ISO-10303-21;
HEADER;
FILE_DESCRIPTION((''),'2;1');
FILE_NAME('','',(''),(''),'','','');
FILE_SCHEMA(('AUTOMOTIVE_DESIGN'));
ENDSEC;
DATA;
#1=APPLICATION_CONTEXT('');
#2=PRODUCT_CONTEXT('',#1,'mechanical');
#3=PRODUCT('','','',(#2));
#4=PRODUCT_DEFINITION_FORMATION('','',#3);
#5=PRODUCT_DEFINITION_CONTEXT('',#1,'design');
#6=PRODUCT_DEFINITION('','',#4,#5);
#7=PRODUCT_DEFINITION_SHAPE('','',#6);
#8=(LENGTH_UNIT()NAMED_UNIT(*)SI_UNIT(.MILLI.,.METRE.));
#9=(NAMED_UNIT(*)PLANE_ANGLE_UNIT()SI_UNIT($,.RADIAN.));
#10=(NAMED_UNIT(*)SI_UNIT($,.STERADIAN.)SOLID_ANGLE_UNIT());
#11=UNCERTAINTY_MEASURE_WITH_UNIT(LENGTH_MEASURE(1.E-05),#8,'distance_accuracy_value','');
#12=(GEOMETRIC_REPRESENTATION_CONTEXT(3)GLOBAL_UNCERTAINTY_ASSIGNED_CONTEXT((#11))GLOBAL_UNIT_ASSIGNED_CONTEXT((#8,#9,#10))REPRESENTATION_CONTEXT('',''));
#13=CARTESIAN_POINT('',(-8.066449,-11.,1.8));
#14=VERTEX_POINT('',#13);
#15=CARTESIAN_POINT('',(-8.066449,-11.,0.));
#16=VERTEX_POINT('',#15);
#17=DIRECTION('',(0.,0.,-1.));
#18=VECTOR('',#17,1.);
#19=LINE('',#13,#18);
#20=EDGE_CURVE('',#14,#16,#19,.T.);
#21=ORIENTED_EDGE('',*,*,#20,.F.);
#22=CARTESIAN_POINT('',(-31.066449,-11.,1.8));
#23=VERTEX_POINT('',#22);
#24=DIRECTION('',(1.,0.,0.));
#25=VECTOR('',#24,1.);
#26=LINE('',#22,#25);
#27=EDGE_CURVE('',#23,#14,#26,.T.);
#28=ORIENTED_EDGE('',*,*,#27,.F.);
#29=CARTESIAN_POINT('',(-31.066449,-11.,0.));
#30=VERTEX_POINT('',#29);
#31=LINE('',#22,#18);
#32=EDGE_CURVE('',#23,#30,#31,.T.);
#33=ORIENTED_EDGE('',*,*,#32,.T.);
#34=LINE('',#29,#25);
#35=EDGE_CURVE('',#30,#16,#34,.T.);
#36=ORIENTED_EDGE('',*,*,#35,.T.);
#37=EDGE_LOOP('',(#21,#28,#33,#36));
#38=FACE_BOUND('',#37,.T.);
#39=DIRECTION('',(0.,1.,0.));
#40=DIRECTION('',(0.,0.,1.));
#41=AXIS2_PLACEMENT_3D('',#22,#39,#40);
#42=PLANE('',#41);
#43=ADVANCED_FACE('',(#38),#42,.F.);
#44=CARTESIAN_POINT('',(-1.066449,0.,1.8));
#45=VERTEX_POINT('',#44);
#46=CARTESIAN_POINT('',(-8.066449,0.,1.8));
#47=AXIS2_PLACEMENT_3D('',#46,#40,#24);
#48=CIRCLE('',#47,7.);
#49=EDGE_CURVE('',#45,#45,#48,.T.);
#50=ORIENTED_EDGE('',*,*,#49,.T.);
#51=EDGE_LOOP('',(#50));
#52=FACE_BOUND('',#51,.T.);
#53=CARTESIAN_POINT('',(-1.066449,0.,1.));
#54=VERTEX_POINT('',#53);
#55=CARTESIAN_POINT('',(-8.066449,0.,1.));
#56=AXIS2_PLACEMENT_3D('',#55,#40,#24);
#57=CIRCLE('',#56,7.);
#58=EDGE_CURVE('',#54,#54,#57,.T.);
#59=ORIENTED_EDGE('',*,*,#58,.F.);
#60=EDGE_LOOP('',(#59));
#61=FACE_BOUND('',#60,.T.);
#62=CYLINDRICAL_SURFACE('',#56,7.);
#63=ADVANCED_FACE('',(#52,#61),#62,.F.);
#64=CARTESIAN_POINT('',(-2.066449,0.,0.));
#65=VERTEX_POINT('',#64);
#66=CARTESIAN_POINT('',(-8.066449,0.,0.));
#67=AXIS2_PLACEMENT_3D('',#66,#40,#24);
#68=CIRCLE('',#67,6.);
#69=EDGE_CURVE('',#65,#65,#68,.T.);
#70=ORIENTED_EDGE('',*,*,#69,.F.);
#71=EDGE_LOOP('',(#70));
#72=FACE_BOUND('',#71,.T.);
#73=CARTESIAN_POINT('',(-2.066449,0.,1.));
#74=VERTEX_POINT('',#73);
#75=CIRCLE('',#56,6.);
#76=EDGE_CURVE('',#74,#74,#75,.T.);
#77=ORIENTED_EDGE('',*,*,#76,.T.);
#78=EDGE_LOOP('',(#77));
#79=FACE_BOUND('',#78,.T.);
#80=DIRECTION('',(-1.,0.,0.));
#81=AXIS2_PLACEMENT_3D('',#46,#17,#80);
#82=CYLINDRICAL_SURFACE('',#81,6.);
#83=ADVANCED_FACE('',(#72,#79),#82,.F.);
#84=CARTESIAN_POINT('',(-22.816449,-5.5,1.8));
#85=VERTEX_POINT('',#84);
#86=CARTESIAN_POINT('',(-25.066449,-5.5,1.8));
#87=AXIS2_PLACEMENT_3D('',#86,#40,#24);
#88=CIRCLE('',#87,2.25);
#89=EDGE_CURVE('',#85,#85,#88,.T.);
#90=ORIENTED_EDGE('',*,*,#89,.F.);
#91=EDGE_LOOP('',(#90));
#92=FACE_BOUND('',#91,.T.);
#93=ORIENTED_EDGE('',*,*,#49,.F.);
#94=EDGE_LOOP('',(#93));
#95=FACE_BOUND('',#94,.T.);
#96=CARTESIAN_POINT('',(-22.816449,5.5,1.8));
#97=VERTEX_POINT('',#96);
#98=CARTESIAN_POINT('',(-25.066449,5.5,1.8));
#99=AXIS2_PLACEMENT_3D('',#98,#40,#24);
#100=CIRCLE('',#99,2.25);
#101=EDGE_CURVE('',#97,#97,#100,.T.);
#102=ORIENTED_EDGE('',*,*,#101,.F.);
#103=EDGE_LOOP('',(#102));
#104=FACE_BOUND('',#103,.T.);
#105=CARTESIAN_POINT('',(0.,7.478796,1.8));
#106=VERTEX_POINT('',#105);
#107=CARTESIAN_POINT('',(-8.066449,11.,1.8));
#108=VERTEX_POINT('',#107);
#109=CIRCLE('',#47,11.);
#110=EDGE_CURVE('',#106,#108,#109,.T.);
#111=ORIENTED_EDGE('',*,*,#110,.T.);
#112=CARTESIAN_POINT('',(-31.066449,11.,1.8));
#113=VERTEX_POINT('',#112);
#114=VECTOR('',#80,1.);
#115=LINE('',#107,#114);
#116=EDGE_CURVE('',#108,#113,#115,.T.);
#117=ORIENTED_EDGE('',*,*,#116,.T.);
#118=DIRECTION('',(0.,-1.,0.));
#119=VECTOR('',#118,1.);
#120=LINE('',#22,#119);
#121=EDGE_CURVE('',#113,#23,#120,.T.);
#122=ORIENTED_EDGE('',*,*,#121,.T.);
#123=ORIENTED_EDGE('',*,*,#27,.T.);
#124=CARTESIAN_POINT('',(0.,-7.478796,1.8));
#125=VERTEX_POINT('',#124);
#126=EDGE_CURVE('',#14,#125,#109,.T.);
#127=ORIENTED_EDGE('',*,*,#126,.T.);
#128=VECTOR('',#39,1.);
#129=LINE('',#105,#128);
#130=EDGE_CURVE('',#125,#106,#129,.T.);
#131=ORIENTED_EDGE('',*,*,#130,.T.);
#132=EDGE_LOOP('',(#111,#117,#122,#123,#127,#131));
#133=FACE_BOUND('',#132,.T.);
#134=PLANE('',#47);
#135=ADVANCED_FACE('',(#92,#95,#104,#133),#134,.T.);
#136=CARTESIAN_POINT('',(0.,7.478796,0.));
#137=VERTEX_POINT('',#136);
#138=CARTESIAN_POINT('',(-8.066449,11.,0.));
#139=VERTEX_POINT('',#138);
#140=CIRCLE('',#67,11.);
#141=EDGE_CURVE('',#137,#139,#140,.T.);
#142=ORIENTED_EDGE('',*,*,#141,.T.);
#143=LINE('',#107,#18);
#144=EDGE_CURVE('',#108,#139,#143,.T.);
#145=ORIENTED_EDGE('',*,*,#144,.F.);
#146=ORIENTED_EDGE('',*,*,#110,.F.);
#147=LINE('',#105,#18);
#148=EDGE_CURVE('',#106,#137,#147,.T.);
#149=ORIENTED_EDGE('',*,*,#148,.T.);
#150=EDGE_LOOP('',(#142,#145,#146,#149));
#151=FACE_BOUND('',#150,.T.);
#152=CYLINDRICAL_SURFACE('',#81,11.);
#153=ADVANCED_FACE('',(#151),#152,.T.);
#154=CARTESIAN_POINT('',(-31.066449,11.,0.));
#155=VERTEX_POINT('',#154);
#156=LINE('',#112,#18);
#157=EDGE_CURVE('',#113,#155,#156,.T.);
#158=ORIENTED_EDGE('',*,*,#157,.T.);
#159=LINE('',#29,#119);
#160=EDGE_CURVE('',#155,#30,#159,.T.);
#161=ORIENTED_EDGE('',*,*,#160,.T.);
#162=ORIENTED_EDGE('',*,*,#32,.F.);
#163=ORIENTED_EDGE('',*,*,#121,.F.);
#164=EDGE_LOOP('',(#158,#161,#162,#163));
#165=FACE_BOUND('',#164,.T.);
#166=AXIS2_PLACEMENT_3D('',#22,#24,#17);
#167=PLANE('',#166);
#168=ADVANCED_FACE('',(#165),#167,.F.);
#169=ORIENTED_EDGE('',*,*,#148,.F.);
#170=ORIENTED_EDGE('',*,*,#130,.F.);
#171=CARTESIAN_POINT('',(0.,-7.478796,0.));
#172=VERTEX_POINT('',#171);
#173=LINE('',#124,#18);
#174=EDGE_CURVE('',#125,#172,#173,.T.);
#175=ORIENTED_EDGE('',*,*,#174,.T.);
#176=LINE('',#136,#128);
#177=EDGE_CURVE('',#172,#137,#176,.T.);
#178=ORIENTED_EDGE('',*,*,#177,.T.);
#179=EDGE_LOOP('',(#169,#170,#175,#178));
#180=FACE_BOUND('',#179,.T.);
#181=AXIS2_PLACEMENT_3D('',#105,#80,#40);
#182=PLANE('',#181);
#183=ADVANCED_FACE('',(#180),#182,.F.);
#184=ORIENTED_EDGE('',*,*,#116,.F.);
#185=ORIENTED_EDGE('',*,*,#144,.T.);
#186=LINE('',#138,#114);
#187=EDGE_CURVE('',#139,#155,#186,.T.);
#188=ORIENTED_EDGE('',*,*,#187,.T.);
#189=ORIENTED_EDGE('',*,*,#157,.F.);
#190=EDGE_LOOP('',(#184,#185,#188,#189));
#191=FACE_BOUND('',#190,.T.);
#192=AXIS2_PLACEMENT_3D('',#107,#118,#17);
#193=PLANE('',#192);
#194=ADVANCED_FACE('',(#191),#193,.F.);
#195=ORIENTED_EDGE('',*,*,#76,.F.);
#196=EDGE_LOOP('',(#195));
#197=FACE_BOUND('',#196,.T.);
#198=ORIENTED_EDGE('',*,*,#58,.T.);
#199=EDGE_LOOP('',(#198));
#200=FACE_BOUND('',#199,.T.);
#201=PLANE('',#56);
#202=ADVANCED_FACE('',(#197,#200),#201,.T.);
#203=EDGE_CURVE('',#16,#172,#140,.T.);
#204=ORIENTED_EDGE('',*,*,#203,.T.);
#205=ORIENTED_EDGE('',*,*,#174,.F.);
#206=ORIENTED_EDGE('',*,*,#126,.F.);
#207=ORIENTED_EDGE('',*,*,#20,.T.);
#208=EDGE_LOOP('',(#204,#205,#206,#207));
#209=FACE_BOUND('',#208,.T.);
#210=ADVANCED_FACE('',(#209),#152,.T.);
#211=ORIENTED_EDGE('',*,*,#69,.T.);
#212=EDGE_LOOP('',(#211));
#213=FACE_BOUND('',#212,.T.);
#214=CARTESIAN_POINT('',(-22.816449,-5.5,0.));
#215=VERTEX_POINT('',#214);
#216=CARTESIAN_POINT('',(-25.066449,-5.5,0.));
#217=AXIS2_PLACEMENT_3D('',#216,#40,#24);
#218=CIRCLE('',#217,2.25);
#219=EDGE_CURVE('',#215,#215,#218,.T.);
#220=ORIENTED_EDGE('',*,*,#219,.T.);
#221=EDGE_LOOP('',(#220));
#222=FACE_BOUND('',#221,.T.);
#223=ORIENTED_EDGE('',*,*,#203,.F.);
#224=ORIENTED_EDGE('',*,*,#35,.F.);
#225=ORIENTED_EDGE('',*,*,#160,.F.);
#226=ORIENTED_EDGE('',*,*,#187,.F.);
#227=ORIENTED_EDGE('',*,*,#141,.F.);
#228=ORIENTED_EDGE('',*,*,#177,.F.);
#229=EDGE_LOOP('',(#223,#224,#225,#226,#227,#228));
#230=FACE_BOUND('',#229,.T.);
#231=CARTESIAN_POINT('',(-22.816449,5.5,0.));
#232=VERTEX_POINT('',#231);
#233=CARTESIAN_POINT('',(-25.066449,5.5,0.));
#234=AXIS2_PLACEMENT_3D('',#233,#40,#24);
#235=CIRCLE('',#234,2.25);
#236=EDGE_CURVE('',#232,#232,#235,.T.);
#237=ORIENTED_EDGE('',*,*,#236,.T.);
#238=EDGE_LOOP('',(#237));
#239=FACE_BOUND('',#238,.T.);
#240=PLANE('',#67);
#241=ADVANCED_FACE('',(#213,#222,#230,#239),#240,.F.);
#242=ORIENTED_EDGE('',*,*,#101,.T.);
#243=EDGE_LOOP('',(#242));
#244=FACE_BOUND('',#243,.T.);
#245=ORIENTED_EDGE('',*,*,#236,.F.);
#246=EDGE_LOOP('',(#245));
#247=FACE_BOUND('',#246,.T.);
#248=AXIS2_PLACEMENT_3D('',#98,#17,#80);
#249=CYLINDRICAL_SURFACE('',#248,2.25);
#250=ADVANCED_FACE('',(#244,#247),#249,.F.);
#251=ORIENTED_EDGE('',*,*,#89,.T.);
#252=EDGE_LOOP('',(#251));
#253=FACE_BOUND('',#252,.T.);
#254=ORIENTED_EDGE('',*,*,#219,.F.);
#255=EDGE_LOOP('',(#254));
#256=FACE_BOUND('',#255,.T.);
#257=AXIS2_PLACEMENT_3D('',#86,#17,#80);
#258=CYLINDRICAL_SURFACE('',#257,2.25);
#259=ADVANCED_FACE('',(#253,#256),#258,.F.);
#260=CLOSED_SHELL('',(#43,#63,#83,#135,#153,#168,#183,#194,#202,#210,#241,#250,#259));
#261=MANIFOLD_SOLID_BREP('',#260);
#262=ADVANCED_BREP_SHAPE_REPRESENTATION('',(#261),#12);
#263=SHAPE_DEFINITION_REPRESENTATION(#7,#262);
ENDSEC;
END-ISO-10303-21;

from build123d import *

# Parameters (mm, degrees)
SKETCH_1_R          = 2.25
SKETCH_1_R_2        = 6
EXTRUDE_1_DEPTH     = 1.8
SKETCH_2_R          = 7
CUT_EXTRUDE_1_DEPTH = 0.8


with BuildPart() as part:
    # 草图1 → 凸台-拉伸1 (new body)
    with BuildSketch(Plane.XY):
        with BuildLine():
            Line((0, 7.478796414), (0, -7.478796414))
            ThreePointArc((0, -7.478796414), (-3.665697116, -10.081338219), (-8.066449293, -11))
            Line((-8.066449293, -11), (-31.066449293, -11))
            Line((-31.066449293, -11), (-31.066449293, 11))
            Line((-31.066449293, 11), (-8.066449293, 11))
            ThreePointArc((-8.066449293, 11), (-3.665697116, 10.081338219), (0, 7.478796414))
        make_face()
        with Locations((-25.066449293, 5.5)):
            Circle(SKETCH_1_R, mode=Mode.SUBTRACT)
        with Locations((-25.066449293, -5.5)):
            Circle(SKETCH_1_R, mode=Mode.SUBTRACT)
        with Locations((-8.066449293, 0)):
            Circle(SKETCH_1_R_2, mode=Mode.SUBTRACT)
    extrude(amount=EXTRUDE_1_DEPTH)

    # 草图2 → 切除-拉伸1 (cut)
    with BuildSketch(Plane.XY.offset(1.8)):
        with Locations((-8.066449293, 0)):
            Circle(SKETCH_2_R)
    extrude(amount=-CUT_EXTRUDE_1_DEPTH, mode=Mode.SUBTRACT)


solid = part.part
